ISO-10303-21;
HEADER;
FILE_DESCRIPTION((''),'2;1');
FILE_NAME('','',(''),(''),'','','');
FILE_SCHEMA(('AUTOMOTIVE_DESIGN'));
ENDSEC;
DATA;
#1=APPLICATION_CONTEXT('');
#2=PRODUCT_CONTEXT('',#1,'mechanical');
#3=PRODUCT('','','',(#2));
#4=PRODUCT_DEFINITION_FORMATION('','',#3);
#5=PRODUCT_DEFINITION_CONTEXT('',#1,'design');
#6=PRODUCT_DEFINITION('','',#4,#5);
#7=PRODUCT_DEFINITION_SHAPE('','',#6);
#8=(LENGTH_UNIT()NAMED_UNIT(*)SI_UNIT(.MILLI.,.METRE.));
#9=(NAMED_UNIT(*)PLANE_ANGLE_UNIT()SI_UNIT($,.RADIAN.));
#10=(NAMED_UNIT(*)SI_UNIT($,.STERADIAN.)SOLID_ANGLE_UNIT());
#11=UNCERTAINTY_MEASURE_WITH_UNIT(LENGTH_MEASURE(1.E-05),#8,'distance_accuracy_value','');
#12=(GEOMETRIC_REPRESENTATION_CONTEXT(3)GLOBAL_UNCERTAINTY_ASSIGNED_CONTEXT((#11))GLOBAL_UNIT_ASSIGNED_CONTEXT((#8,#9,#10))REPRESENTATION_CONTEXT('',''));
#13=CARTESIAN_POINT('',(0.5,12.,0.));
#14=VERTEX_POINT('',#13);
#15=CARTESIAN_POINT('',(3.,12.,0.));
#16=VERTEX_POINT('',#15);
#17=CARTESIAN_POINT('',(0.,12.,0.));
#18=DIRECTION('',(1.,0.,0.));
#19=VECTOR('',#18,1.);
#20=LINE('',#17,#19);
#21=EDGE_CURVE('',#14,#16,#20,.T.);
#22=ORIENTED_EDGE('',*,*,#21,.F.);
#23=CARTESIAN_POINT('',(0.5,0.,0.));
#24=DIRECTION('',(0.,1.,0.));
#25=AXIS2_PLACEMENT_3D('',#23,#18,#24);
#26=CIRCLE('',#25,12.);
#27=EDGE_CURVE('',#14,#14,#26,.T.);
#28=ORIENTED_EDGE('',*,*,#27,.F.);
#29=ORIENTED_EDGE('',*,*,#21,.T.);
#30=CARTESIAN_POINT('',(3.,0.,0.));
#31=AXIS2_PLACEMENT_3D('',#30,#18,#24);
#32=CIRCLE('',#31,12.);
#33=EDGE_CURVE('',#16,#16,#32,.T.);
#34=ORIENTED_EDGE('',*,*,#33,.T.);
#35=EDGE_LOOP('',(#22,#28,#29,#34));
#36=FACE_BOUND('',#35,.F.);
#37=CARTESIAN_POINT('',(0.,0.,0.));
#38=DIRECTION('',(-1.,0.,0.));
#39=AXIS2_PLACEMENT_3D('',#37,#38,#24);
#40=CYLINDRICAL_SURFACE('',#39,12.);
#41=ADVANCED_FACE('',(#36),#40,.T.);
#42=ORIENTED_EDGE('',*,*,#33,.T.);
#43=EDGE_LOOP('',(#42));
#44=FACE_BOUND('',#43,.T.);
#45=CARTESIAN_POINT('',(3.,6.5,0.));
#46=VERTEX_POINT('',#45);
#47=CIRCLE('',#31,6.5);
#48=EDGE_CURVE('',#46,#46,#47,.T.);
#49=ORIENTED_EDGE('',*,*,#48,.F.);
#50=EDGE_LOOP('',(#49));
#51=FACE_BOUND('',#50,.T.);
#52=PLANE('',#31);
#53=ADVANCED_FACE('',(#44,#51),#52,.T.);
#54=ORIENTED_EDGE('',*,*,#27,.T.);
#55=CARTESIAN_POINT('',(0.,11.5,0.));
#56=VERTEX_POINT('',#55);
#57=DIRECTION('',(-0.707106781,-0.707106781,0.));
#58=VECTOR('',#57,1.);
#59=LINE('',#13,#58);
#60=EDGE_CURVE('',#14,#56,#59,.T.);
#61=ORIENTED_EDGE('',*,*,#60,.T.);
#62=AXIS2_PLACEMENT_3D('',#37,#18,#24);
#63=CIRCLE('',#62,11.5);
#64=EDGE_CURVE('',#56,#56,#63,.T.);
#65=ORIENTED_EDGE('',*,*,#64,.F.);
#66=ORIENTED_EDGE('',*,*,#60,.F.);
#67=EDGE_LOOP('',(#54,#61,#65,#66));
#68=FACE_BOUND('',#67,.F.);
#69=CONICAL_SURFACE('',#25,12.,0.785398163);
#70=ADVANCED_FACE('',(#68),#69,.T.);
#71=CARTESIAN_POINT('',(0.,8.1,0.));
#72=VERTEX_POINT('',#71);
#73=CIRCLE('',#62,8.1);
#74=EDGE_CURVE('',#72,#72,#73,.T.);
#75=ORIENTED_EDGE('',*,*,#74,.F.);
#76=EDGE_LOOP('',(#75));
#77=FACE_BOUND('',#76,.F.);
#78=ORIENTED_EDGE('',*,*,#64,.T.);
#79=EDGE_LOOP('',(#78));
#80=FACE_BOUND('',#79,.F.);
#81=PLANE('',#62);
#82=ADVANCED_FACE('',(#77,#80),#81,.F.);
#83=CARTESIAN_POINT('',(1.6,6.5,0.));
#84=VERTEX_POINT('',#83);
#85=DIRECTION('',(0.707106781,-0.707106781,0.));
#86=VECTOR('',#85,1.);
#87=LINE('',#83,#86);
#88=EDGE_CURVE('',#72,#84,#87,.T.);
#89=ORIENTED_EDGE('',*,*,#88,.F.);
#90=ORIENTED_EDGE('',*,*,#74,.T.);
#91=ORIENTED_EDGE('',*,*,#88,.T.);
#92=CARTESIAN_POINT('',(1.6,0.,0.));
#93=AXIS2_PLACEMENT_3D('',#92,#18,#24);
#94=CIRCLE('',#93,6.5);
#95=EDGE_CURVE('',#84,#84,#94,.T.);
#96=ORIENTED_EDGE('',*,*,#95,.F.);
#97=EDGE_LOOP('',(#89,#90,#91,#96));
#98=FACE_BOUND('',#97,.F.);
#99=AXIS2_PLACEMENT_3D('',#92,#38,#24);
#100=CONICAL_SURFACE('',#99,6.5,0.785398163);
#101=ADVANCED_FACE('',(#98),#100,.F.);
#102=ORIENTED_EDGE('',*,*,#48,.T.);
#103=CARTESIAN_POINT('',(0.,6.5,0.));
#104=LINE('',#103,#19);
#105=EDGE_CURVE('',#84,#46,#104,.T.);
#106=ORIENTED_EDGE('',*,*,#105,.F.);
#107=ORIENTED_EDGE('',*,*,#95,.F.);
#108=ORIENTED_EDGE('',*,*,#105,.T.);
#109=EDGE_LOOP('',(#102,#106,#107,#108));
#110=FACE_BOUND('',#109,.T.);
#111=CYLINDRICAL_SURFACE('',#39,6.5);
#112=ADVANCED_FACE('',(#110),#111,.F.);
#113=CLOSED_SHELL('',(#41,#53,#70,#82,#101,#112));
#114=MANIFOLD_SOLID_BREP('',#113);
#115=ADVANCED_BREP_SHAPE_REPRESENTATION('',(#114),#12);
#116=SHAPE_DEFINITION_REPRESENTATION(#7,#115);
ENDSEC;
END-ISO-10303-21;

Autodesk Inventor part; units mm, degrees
ref_plane "YZ Plane" through (0, 0, 0) normal (1, 0, 0) x (0, 1, 0)
ref_plane "XZ Plane" through (0, 0, 0) normal (0, 1, 0) x (-1, 0, 0)
sketch "Skizze" plane through (0, 0, 0) normal (1, 0, 0) x (0, 1, 0)
  circle A0 centre (0, 0) radius 12
  circle A1 centre (0, 0) radius 6.5
  dimension "d0" = 13
  dimension "d1" = 24
extrude "Körper" add sketch "Skizze" along normal blind 3
chamfer "Fase1" distance 0.5 angle 45 1 edges at (0, -12, 0) measured on face at (0, 9.9875, -1.4758)
chamfer "Fase2" distance 1.6 angle 45 1 edges at (0, -6.5, 0) measured on face at (0, 9.659, -1.4359)
ref_plane "Work Plane1" through (0, 0, 0) normal (0, 0, 1) x (1, 0, 0)
equation "\"d0\" = SD1"
equation "\"d1\" = SD2"
equation "\"d2\" = SD"
equation "\"d4\" = PHH"
equation "\"d5\" = FAWI"
equation "\"d10\" = PHH"
equation "\"d6\" = PHH1"
equation "\"d7\" = FAWI1"
equation "\"d11\" = PHH"
equation "\"SD1\" = 13"
equation "\"SD2\" = 24"
equation "\"SD\" = 3"
equation "\"FAWI\" = 45deg"
equation "\"FAWI1\" = 45deg"
equation "\"PHH\" = 0.5"
equation "\"PHH1\" = 1.6"
equation "\"NND\" = 12"
properties part number "DIN 6916 - 13" material "Stahl, weich"
